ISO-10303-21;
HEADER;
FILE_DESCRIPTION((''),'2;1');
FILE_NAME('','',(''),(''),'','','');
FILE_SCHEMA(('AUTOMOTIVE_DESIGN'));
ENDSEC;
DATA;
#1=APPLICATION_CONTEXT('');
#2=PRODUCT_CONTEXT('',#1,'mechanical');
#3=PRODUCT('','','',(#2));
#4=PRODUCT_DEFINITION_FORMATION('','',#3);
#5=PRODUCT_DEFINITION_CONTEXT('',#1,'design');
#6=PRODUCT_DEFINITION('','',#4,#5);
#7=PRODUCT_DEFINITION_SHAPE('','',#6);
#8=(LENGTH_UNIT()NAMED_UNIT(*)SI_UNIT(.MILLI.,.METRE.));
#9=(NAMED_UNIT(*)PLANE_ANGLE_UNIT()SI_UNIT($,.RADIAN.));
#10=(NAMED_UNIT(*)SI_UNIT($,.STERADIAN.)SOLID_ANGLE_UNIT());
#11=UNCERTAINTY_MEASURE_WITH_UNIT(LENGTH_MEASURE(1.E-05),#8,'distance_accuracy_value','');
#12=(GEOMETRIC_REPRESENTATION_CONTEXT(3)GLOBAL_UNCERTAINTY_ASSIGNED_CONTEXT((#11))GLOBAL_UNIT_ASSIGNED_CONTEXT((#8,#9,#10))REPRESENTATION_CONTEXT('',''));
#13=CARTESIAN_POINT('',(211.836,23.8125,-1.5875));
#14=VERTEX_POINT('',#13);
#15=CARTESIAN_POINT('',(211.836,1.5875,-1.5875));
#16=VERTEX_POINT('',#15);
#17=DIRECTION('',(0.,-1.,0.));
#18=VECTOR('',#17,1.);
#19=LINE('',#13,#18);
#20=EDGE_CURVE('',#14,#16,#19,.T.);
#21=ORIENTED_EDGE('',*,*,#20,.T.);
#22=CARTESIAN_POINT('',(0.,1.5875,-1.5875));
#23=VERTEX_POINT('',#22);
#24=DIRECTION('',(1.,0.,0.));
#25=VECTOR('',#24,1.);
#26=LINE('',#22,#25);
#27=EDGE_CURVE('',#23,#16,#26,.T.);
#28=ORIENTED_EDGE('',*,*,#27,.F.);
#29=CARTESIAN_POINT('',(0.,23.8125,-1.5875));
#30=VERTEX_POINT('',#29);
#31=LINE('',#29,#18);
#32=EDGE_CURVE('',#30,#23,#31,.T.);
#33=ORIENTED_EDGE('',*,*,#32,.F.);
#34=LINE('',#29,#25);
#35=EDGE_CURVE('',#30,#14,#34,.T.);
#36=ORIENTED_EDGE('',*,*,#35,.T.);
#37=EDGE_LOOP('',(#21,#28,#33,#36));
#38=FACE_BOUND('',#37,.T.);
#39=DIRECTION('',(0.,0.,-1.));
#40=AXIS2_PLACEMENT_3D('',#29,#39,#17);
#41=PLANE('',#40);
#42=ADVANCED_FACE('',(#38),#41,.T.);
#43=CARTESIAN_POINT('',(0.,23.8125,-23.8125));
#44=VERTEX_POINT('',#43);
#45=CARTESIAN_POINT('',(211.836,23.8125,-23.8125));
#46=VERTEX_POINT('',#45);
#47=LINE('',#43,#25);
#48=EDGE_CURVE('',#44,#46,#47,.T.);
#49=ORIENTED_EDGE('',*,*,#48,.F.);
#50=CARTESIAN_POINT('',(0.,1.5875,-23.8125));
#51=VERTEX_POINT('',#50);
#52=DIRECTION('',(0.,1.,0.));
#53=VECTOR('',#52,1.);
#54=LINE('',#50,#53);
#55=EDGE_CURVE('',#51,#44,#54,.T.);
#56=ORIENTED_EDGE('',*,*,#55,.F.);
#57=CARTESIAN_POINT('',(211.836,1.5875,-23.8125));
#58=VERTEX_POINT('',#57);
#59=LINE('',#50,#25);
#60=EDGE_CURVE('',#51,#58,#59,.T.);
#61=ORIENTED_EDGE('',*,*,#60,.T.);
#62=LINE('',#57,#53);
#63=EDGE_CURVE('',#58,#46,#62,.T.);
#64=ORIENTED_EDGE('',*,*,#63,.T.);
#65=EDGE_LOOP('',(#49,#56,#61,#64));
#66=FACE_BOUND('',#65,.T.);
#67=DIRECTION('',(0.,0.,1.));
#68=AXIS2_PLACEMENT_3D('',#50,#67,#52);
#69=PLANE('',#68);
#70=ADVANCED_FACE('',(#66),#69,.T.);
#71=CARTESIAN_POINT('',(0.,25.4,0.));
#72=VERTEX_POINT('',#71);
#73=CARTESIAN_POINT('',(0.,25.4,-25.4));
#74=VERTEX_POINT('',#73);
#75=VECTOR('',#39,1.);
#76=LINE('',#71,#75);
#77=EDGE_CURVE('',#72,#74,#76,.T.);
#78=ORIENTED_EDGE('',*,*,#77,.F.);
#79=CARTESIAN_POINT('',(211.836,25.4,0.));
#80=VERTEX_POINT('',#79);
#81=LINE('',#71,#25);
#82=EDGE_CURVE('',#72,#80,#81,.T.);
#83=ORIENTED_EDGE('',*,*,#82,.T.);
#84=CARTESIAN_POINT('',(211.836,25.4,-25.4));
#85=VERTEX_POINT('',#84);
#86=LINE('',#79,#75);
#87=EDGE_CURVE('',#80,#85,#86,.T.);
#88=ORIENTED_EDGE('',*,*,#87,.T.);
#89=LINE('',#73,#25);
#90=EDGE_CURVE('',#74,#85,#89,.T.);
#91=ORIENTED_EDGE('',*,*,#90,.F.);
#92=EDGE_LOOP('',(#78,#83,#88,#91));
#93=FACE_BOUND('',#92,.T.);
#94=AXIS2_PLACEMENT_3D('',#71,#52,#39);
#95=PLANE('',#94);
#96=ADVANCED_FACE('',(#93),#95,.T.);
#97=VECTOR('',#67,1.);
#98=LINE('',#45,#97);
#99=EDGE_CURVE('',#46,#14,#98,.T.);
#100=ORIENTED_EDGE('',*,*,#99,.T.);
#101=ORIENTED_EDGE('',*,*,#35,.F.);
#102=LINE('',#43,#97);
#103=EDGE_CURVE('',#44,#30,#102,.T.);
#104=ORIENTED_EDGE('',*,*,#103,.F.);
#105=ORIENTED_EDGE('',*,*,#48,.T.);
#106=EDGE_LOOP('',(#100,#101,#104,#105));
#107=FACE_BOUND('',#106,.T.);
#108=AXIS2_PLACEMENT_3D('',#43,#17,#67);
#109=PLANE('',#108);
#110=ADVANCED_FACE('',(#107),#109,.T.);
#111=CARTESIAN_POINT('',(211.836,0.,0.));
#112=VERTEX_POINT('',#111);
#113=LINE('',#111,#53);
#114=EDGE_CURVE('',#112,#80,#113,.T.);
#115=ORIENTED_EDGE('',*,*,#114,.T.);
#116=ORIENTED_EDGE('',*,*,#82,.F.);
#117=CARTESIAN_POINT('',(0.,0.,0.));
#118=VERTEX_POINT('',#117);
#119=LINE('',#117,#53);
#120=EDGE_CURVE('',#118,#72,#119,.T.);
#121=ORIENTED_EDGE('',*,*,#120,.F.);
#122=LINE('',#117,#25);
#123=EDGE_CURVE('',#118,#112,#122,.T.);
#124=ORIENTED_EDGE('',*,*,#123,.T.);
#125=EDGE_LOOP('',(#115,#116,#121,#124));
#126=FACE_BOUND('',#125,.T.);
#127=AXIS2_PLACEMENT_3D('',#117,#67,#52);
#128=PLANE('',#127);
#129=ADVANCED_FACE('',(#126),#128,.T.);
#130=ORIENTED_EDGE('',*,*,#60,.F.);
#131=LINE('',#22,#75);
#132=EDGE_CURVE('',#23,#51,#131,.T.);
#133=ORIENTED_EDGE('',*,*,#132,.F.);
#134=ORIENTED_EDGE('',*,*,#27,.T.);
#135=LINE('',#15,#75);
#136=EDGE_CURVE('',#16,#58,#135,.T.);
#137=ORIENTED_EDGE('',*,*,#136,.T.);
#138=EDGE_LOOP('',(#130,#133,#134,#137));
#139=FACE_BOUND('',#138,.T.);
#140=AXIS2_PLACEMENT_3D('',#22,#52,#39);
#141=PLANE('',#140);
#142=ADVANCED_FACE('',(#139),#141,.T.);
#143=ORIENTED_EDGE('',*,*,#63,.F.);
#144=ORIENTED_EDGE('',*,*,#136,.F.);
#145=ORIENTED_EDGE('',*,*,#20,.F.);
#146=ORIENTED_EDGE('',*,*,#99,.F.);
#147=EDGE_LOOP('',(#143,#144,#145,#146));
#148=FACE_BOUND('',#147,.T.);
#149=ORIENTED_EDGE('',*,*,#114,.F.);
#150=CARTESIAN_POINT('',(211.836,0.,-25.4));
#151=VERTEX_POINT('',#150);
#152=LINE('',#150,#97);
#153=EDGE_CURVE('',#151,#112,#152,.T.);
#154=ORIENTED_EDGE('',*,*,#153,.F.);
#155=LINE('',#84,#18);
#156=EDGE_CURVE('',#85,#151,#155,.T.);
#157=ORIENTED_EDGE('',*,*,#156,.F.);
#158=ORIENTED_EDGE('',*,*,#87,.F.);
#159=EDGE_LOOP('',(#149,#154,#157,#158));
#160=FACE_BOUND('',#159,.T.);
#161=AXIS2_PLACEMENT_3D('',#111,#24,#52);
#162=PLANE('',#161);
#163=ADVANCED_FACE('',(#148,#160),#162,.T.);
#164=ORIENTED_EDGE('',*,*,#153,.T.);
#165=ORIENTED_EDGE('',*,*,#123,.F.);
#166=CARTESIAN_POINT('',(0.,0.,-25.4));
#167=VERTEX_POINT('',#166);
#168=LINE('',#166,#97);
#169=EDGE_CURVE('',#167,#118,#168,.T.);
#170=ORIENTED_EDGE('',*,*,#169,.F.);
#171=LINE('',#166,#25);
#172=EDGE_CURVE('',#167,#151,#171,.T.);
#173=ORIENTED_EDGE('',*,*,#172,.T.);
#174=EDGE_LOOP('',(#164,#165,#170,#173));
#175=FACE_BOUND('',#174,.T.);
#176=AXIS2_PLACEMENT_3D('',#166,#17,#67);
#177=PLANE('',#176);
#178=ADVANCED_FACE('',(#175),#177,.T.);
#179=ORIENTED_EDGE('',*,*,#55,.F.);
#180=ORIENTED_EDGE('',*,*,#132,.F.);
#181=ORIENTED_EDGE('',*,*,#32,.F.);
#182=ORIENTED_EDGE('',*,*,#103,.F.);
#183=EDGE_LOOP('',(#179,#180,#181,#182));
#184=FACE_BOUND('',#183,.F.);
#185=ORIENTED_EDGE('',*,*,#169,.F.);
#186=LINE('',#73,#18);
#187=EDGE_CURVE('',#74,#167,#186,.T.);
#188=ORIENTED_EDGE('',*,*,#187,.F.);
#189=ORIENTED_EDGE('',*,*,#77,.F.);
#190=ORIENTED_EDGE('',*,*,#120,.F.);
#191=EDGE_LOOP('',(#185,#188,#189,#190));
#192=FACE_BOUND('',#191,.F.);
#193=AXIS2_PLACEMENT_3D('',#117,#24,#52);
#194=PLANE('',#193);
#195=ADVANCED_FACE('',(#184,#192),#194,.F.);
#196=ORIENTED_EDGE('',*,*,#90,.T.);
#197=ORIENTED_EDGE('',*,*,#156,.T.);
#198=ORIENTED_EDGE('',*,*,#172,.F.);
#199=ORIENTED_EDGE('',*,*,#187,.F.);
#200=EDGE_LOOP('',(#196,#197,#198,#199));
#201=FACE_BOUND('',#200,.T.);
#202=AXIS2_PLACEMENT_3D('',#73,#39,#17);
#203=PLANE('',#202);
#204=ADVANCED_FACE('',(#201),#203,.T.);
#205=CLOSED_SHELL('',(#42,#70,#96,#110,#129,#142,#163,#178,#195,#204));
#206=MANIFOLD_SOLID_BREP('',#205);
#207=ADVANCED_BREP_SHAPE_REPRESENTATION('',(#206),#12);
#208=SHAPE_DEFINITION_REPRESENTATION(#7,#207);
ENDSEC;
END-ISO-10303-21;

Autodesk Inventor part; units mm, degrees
ref_plane "YZ Plane" through (0, 0, 0) normal (1, 0, 0) x (0, 1, 0)
ref_plane "XZ Plane" through (0, 0, 0) normal (0, 1, 0) x (-1, 0, 0)
ref_plane "XY Plane" through (0, 0, 0) normal (0, 0, 1) x (1, 0, 0)
sketch "Sketch1" plane through (0, 0, 0) normal (1, 0, 0) x (0, 1, 0)
  line L0 (0, 0) -> (25.4, 0)
  line L1 (25.4, 0) -> (25.4, -25.4)
  line L2 (25.4, -25.4) -> (0, -25.4)
  line L3 (0, -25.4) -> (0, 0)
  line L4 (23.8125, -23.8125) -> (23.8125, -1.5875)
  line L5 (23.8125, -1.5875) -> (1.5875, -1.5875)
  line L6 (1.5875, -1.5875) -> (1.5875, -23.8125)
  line L7 (1.5875, -23.8125) -> (23.8125, -23.8125)
  dimension "d0" = 25.4
  dimension "d1" = 25.4
  dimension "d2" = 1.5875
extrude "Extrusion1" add sketch "Sketch1" along normal blind 211.836
properties part number "Pillar_Short"
